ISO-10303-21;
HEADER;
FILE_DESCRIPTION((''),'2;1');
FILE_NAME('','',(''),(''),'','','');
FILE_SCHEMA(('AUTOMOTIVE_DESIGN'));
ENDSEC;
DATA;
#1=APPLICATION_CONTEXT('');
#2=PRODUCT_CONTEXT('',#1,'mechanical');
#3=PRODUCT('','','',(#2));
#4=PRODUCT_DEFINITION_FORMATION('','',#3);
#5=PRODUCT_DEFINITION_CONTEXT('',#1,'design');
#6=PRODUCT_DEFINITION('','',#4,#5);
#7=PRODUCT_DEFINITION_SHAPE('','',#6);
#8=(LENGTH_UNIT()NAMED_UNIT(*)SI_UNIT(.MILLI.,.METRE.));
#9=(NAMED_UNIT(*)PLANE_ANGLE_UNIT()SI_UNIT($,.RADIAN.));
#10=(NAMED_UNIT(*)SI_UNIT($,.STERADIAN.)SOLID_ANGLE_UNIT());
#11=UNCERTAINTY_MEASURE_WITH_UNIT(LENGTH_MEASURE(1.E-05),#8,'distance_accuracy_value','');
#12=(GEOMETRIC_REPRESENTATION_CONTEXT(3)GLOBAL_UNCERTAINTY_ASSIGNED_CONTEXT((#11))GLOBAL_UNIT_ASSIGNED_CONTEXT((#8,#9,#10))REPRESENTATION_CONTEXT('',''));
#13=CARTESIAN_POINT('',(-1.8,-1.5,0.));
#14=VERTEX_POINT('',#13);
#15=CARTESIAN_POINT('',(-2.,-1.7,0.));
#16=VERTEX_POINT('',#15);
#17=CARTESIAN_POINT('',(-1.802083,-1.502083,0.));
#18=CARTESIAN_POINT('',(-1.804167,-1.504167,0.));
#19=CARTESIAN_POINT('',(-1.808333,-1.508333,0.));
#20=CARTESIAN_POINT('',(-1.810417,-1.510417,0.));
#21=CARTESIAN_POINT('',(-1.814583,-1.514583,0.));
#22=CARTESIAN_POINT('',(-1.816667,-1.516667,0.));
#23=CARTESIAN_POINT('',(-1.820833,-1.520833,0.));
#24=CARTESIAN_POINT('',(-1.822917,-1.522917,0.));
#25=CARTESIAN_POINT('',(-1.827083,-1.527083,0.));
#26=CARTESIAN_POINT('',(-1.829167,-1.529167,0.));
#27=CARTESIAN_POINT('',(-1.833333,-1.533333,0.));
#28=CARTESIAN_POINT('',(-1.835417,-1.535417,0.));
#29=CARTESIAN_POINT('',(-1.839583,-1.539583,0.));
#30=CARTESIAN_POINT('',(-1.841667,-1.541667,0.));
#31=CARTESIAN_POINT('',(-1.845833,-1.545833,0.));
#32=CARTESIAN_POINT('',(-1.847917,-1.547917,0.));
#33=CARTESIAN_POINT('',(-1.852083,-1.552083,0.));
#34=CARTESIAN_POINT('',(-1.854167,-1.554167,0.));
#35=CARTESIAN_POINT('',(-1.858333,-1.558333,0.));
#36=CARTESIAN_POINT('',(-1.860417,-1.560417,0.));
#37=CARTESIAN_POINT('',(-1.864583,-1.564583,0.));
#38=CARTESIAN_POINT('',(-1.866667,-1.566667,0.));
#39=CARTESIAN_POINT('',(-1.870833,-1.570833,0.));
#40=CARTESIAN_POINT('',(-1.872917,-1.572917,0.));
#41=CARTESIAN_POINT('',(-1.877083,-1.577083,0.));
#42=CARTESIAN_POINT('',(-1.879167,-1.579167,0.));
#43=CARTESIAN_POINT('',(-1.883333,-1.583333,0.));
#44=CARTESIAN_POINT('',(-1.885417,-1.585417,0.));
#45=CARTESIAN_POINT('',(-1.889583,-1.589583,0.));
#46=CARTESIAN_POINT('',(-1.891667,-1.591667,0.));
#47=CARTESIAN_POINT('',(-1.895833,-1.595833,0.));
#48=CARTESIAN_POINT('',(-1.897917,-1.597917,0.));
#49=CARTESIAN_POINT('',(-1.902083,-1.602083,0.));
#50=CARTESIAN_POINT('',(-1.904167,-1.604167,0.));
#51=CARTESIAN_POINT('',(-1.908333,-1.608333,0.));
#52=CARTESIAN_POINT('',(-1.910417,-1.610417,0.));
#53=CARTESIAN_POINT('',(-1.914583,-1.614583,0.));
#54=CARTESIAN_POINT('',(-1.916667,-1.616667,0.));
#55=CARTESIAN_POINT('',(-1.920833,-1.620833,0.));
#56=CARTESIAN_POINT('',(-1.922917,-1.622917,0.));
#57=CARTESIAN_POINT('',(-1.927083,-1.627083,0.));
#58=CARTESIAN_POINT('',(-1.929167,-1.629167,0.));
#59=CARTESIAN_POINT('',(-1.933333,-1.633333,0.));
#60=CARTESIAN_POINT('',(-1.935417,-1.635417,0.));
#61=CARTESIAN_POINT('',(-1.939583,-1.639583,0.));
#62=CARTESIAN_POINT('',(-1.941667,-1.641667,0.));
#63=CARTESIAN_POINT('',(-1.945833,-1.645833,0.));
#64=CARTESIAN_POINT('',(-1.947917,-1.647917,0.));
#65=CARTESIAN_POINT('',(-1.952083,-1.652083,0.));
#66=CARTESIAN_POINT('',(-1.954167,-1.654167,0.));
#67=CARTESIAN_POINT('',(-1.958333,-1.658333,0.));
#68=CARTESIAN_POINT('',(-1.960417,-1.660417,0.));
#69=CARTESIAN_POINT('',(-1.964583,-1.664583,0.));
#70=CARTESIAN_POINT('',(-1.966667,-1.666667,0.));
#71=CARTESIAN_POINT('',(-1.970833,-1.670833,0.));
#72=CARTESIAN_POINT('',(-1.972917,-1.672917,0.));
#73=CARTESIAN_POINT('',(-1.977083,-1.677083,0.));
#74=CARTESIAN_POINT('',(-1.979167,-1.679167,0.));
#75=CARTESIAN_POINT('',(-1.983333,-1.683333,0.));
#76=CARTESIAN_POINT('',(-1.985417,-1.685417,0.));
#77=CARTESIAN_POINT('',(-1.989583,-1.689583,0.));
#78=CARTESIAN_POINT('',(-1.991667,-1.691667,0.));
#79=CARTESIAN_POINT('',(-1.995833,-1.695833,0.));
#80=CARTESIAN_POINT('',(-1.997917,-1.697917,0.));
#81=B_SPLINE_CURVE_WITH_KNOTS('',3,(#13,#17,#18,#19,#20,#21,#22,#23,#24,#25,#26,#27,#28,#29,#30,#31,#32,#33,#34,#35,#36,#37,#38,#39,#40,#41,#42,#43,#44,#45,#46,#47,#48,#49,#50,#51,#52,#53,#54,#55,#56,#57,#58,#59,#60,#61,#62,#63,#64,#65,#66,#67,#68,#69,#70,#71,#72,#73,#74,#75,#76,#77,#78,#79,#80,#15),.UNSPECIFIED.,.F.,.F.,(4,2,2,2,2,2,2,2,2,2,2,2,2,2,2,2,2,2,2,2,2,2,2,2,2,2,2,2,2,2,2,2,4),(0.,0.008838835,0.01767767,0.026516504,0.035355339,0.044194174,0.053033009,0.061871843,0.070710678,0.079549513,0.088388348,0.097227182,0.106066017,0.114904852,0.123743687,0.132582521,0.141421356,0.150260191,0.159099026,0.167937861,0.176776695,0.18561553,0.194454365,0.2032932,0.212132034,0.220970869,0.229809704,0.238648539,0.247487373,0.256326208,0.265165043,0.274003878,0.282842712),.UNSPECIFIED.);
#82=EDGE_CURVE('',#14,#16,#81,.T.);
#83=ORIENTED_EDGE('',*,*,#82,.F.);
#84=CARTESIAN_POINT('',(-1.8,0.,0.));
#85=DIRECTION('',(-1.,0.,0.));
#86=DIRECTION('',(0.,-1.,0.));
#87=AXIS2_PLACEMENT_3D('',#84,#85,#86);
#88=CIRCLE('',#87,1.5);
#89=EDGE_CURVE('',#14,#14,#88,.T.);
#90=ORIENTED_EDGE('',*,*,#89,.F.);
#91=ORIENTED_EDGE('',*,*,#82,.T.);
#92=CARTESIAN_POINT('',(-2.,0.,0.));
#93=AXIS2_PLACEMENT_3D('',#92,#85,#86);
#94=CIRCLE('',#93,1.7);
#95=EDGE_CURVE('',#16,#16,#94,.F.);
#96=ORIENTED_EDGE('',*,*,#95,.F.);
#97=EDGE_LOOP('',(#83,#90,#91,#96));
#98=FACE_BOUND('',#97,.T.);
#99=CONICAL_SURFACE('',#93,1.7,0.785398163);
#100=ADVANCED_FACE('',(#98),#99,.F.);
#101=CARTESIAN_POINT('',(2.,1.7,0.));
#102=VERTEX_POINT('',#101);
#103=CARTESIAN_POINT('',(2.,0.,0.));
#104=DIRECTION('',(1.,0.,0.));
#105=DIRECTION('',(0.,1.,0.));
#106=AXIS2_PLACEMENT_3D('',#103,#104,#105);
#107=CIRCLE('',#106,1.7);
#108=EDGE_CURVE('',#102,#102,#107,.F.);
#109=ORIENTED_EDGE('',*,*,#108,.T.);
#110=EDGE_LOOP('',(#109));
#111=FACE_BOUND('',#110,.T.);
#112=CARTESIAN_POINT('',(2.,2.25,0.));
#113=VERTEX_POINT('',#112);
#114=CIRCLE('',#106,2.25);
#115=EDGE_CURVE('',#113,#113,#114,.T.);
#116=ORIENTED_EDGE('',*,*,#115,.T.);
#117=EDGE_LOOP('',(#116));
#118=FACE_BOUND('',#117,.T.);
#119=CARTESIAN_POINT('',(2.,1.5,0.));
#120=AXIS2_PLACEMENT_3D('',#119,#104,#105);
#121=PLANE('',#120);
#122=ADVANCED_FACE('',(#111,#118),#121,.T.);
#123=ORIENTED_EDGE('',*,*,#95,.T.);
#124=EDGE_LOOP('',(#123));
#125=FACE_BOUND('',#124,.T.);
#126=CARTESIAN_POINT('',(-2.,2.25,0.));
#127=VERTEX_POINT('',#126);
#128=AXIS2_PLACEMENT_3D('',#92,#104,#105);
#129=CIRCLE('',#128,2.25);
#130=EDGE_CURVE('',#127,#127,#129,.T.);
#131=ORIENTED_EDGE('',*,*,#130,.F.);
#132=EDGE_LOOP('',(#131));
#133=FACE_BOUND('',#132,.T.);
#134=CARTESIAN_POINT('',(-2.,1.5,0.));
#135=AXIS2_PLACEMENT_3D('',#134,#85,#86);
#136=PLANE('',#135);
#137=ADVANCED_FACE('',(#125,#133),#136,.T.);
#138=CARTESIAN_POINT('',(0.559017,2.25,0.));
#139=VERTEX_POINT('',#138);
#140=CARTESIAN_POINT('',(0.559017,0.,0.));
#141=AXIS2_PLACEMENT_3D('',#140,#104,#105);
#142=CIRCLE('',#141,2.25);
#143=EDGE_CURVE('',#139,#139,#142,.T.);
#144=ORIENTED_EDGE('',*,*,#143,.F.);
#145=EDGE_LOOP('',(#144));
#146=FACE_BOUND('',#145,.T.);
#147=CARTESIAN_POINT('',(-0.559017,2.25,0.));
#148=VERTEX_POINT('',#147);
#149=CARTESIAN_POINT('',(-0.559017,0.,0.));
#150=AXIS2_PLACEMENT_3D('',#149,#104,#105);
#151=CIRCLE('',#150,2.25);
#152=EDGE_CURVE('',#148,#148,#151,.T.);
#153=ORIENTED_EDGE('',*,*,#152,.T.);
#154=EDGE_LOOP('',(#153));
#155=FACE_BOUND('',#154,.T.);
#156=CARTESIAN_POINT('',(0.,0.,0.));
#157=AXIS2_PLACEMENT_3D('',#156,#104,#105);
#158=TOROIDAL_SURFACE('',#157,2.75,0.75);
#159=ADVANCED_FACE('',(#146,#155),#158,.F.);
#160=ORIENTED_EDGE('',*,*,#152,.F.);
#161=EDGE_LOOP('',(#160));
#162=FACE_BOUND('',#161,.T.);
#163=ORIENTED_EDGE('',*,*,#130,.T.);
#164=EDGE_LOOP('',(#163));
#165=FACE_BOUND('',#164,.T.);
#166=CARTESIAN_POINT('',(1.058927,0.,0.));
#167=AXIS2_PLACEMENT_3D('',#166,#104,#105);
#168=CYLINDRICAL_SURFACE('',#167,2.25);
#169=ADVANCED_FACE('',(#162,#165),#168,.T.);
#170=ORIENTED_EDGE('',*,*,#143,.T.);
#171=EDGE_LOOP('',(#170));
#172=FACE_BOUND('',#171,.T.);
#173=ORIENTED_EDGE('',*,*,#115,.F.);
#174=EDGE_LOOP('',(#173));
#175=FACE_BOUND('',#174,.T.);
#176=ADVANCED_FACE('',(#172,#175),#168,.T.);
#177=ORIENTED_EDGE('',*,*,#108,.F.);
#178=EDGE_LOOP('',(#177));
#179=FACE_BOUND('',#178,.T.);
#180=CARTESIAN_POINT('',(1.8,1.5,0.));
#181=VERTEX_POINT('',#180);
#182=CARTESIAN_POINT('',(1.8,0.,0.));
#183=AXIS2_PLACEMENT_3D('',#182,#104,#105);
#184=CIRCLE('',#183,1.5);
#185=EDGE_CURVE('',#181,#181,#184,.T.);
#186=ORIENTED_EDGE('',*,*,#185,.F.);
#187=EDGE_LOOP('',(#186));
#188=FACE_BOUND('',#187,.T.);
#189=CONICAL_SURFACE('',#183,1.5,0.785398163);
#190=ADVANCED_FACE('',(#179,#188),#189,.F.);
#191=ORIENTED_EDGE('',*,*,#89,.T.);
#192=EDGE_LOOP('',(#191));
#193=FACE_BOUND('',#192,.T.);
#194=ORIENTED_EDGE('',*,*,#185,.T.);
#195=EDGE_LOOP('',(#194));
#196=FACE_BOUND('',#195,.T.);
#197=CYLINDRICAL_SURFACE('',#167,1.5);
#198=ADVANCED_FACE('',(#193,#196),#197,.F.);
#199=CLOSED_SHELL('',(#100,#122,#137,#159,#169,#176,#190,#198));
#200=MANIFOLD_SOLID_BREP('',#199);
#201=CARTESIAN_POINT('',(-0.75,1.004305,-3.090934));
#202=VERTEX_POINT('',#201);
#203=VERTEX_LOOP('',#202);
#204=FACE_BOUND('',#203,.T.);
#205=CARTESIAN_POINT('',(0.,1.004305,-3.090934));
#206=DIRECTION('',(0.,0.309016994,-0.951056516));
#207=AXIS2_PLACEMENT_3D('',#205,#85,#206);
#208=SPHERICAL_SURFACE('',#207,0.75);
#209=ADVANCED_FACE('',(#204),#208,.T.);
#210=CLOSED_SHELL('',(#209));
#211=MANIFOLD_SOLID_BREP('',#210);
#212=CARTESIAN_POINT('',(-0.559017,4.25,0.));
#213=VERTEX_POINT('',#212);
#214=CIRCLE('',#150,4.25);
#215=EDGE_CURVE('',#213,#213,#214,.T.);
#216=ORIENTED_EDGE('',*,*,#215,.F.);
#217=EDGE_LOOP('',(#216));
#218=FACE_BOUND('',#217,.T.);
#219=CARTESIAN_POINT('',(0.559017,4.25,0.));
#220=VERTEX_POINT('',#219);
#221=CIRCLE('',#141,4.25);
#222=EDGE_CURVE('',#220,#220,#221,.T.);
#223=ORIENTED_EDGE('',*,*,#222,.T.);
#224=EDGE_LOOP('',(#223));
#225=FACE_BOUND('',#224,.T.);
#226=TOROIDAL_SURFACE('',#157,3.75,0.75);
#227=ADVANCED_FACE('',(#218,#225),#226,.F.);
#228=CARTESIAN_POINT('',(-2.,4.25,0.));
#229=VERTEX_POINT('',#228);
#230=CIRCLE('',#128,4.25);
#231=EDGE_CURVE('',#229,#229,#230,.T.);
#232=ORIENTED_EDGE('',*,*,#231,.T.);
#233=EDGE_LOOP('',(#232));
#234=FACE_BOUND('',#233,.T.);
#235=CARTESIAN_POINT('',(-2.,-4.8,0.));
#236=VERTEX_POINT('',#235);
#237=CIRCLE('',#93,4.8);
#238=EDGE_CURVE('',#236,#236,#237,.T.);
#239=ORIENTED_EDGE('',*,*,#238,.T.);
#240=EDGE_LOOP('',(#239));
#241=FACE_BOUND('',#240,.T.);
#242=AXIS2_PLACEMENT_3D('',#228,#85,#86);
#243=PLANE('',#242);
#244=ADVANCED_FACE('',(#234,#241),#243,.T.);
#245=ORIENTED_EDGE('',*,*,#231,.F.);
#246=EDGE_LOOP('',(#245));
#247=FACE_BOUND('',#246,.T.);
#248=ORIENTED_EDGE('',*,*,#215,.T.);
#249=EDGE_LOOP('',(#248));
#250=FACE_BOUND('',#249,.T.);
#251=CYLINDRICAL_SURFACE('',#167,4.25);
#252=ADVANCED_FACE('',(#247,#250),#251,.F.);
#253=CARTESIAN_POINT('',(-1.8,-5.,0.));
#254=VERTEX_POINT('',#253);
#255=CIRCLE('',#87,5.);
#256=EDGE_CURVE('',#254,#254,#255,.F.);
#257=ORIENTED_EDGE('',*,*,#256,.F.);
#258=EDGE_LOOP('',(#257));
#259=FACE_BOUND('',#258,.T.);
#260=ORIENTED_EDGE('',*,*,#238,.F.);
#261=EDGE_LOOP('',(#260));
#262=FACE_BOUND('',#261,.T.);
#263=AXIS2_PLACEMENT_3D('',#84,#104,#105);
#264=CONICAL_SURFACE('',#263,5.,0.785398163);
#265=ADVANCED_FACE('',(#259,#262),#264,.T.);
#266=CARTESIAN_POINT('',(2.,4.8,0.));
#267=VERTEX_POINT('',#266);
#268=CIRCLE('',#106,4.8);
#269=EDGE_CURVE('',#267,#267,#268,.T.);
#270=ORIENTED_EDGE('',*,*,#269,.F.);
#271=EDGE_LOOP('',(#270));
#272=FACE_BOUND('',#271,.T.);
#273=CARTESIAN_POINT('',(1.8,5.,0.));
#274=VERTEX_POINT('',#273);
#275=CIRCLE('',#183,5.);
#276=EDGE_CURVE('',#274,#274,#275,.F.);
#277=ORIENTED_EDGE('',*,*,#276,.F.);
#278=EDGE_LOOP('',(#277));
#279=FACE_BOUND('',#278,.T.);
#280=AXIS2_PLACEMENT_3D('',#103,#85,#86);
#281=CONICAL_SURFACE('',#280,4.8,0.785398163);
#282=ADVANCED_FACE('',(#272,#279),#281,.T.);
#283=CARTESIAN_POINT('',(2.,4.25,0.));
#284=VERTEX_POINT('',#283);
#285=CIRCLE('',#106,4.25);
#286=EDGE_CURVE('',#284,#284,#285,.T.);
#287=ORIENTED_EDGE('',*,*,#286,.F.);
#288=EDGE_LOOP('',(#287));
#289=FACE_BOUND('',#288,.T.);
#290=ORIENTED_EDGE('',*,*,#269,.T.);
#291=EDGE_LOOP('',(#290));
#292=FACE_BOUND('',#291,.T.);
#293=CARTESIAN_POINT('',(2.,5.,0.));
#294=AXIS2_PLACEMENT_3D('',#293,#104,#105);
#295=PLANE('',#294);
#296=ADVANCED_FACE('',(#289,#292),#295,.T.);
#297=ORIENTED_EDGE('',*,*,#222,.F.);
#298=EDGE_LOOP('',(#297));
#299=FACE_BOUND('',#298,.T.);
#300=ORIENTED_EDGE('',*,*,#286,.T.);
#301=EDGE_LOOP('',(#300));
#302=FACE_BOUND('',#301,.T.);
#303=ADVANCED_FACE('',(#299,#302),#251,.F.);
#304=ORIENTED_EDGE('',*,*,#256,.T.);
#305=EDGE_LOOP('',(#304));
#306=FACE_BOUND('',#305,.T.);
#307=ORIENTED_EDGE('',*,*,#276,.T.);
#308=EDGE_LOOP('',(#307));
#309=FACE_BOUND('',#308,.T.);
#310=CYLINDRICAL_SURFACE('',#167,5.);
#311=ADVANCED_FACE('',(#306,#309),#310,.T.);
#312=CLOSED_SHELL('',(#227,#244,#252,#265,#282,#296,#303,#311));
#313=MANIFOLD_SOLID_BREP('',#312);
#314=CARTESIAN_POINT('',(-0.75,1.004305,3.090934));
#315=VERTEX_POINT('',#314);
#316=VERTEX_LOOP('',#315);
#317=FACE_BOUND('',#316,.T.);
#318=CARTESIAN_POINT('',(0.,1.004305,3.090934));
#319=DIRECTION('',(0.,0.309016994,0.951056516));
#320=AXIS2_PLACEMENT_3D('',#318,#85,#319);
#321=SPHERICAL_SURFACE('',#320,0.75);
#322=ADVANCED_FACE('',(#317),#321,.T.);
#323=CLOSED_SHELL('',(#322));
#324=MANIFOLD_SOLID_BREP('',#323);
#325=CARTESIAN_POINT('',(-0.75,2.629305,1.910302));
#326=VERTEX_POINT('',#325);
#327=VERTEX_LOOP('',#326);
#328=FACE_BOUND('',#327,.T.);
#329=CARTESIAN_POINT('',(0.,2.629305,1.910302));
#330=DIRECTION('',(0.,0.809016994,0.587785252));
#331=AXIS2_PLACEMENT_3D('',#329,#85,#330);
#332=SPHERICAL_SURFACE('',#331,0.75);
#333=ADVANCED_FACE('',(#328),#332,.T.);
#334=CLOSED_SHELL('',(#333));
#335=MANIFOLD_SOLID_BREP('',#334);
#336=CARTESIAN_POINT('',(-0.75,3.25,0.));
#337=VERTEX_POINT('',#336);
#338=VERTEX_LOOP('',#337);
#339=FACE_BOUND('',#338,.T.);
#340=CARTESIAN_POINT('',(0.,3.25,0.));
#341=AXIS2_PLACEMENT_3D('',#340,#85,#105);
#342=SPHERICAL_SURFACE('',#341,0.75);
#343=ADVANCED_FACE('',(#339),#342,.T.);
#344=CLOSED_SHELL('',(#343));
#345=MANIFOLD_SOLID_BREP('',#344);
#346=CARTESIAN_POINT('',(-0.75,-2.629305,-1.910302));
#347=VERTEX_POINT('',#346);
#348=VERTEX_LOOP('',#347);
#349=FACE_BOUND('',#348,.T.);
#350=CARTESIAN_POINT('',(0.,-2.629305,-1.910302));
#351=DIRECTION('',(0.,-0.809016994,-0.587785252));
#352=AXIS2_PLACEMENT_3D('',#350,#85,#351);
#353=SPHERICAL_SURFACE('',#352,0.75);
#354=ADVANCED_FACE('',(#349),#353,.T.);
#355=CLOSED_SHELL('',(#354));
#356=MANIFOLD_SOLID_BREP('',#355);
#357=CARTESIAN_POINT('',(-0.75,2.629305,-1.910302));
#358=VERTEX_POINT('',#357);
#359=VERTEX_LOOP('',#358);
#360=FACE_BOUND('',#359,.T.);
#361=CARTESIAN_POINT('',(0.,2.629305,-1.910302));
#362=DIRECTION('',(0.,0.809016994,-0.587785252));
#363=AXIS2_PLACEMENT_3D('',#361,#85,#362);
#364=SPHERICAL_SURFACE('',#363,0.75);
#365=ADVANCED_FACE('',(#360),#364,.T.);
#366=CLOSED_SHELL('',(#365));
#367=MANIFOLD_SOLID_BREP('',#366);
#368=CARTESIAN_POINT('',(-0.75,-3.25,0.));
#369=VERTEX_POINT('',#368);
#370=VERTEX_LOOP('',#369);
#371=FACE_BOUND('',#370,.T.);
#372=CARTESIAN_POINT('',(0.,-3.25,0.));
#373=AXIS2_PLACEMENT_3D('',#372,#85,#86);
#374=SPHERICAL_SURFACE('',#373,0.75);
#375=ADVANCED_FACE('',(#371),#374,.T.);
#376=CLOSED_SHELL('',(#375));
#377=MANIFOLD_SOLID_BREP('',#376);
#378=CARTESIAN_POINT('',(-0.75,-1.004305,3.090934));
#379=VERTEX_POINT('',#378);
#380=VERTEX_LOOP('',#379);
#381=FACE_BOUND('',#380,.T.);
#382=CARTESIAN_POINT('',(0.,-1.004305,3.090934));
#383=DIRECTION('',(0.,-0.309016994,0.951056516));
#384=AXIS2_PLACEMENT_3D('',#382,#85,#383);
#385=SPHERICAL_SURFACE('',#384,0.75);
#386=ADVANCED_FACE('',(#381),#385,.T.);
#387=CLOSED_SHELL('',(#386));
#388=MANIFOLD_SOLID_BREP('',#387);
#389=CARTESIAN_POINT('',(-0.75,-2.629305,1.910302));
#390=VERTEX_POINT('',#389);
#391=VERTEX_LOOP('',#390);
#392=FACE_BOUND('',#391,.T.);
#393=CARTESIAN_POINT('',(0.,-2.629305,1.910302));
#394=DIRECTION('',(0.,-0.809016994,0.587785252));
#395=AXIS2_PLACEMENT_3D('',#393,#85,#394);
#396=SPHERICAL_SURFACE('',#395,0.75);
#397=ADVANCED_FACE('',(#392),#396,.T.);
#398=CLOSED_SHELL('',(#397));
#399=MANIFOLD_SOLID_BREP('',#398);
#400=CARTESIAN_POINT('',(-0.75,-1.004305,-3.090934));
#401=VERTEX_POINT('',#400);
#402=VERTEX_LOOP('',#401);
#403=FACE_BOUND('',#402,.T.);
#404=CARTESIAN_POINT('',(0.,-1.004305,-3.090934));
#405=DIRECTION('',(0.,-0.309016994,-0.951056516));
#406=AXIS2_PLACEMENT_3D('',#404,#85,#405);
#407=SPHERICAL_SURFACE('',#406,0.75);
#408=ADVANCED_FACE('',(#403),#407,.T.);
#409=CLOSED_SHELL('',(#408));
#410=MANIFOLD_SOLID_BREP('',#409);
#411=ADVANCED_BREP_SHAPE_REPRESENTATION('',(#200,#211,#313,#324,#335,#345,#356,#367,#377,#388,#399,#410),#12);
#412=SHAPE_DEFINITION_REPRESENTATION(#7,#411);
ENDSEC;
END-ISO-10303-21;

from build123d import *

# Parameters (mm, degrees)
CIRPATTERN4_COUNT = 10
CHAMFER1_SIZE     = 0.2
CHAMFER2_SIZE     = 0.2


with BuildPart() as part:
    # Sketch1 → Revolve1 (revolve)
    with BuildSketch(Plane.XY):
        with BuildLine():
            Line((2, 1.5), (-2, 1.5))
            Line((-2, 1.5), (-2, 2.25))
            Line((-2, 2.25), (-0.559016994, 2.25))
            ThreePointArc((-0.559016994, 2.25), (0, 2), (0.559016994, 2.25))
            Line((0.559016994, 2.25), (2, 2.25))
            Line((2, 2.25), (2, 1.5))
        make_face()
        with BuildLine():
            Line((-2, 4.25), (-2, 5))
            Line((-2, 5), (2, 5))
            Line((2, 5), (2, 4.25))
            Line((2, 4.25), (0.559016994, 4.25))
            ThreePointArc((0.559016994, 4.25), (0, 4.5), (-0.559016994, 4.25))
            Line((-0.559016994, 4.25), (-2, 4.25))
        make_face()
    revolve(axis=Axis((1.058927467, 0, 0), (-1, 0, 0)))

    # Chamfer1
    chamfer1_edges = [part.edges().sort_by_distance(p)[0] for p in [
        (2, -5, 0),
        (-2, -5, 0),
    ]]
    chamfer(chamfer1_edges, length=CHAMFER1_SIZE)

    # Chamfer2
    chamfer2_edges = [part.edges().sort_by_distance(p)[0] for p in [
        (2, -1.5, 0),
        (-2, -1.5, 0),
    ]]
    chamfer(chamfer2_edges, length=CHAMFER2_SIZE)


with BuildPart() as body_2:
    # Sketch2 → Revolve2 (revolve)
    with BuildSketch(Plane.XY):
        with BuildLine():
            Line((-0.75, 3.25), (0.75, 3.25))
            ThreePointArc((0.75, 3.25), (0, 4), (-0.75, 3.25))
        make_face()
    revolve(axis=Axis((-0.75, 3.25, 0), (1, 0, 0)))


with BuildPart() as cirpattern4_1:
    # CirPattern4: pattern copy
    add(body_2.part.rotate(Axis((0, 0, 0), (1, 0, 0)), 1 * 360 / CIRPATTERN4_COUNT))


with BuildPart() as cirpattern4_2:
    # CirPattern4: pattern copy
    add(body_2.part.rotate(Axis((0, 0, 0), (1, 0, 0)), 2 * 360 / CIRPATTERN4_COUNT))


with BuildPart() as cirpattern4_3:
    # CirPattern4: pattern copy
    add(body_2.part.rotate(Axis((0, 0, 0), (1, 0, 0)), 3 * 360 / CIRPATTERN4_COUNT))


with BuildPart() as cirpattern4_4:
    # CirPattern4: pattern copy
    add(body_2.part.rotate(Axis((0, 0, 0), (1, 0, 0)), 4 * 360 / CIRPATTERN4_COUNT))


with BuildPart() as cirpattern4_5:
    # CirPattern4: pattern copy
    add(body_2.part.rotate(Axis((0, 0, 0), (1, 0, 0)), 5 * 360 / CIRPATTERN4_COUNT))


with BuildPart() as cirpattern4_6:
    # CirPattern4: pattern copy
    add(body_2.part.rotate(Axis((0, 0, 0), (1, 0, 0)), 6 * 360 / CIRPATTERN4_COUNT))


with BuildPart() as cirpattern4_7:
    # CirPattern4: pattern copy
    add(body_2.part.rotate(Axis((0, 0, 0), (1, 0, 0)), 7 * 360 / CIRPATTERN4_COUNT))


with BuildPart() as cirpattern4_8:
    # CirPattern4: pattern copy
    add(body_2.part.rotate(Axis((0, 0, 0), (1, 0, 0)), 8 * 360 / CIRPATTERN4_COUNT))


with BuildPart() as cirpattern4_9:
    # CirPattern4: pattern copy
    add(body_2.part.rotate(Axis((0, 0, 0), (1, 0, 0)), 9 * 360 / CIRPATTERN4_COUNT))


solid = Compound([part.part, body_2.part, cirpattern4_1.part, cirpattern4_2.part, cirpattern4_3.part, cirpattern4_4.part, cirpattern4_5.part, cirpattern4_6.part, cirpattern4_7.part, cirpattern4_8.part, cirpattern4_9.part])
